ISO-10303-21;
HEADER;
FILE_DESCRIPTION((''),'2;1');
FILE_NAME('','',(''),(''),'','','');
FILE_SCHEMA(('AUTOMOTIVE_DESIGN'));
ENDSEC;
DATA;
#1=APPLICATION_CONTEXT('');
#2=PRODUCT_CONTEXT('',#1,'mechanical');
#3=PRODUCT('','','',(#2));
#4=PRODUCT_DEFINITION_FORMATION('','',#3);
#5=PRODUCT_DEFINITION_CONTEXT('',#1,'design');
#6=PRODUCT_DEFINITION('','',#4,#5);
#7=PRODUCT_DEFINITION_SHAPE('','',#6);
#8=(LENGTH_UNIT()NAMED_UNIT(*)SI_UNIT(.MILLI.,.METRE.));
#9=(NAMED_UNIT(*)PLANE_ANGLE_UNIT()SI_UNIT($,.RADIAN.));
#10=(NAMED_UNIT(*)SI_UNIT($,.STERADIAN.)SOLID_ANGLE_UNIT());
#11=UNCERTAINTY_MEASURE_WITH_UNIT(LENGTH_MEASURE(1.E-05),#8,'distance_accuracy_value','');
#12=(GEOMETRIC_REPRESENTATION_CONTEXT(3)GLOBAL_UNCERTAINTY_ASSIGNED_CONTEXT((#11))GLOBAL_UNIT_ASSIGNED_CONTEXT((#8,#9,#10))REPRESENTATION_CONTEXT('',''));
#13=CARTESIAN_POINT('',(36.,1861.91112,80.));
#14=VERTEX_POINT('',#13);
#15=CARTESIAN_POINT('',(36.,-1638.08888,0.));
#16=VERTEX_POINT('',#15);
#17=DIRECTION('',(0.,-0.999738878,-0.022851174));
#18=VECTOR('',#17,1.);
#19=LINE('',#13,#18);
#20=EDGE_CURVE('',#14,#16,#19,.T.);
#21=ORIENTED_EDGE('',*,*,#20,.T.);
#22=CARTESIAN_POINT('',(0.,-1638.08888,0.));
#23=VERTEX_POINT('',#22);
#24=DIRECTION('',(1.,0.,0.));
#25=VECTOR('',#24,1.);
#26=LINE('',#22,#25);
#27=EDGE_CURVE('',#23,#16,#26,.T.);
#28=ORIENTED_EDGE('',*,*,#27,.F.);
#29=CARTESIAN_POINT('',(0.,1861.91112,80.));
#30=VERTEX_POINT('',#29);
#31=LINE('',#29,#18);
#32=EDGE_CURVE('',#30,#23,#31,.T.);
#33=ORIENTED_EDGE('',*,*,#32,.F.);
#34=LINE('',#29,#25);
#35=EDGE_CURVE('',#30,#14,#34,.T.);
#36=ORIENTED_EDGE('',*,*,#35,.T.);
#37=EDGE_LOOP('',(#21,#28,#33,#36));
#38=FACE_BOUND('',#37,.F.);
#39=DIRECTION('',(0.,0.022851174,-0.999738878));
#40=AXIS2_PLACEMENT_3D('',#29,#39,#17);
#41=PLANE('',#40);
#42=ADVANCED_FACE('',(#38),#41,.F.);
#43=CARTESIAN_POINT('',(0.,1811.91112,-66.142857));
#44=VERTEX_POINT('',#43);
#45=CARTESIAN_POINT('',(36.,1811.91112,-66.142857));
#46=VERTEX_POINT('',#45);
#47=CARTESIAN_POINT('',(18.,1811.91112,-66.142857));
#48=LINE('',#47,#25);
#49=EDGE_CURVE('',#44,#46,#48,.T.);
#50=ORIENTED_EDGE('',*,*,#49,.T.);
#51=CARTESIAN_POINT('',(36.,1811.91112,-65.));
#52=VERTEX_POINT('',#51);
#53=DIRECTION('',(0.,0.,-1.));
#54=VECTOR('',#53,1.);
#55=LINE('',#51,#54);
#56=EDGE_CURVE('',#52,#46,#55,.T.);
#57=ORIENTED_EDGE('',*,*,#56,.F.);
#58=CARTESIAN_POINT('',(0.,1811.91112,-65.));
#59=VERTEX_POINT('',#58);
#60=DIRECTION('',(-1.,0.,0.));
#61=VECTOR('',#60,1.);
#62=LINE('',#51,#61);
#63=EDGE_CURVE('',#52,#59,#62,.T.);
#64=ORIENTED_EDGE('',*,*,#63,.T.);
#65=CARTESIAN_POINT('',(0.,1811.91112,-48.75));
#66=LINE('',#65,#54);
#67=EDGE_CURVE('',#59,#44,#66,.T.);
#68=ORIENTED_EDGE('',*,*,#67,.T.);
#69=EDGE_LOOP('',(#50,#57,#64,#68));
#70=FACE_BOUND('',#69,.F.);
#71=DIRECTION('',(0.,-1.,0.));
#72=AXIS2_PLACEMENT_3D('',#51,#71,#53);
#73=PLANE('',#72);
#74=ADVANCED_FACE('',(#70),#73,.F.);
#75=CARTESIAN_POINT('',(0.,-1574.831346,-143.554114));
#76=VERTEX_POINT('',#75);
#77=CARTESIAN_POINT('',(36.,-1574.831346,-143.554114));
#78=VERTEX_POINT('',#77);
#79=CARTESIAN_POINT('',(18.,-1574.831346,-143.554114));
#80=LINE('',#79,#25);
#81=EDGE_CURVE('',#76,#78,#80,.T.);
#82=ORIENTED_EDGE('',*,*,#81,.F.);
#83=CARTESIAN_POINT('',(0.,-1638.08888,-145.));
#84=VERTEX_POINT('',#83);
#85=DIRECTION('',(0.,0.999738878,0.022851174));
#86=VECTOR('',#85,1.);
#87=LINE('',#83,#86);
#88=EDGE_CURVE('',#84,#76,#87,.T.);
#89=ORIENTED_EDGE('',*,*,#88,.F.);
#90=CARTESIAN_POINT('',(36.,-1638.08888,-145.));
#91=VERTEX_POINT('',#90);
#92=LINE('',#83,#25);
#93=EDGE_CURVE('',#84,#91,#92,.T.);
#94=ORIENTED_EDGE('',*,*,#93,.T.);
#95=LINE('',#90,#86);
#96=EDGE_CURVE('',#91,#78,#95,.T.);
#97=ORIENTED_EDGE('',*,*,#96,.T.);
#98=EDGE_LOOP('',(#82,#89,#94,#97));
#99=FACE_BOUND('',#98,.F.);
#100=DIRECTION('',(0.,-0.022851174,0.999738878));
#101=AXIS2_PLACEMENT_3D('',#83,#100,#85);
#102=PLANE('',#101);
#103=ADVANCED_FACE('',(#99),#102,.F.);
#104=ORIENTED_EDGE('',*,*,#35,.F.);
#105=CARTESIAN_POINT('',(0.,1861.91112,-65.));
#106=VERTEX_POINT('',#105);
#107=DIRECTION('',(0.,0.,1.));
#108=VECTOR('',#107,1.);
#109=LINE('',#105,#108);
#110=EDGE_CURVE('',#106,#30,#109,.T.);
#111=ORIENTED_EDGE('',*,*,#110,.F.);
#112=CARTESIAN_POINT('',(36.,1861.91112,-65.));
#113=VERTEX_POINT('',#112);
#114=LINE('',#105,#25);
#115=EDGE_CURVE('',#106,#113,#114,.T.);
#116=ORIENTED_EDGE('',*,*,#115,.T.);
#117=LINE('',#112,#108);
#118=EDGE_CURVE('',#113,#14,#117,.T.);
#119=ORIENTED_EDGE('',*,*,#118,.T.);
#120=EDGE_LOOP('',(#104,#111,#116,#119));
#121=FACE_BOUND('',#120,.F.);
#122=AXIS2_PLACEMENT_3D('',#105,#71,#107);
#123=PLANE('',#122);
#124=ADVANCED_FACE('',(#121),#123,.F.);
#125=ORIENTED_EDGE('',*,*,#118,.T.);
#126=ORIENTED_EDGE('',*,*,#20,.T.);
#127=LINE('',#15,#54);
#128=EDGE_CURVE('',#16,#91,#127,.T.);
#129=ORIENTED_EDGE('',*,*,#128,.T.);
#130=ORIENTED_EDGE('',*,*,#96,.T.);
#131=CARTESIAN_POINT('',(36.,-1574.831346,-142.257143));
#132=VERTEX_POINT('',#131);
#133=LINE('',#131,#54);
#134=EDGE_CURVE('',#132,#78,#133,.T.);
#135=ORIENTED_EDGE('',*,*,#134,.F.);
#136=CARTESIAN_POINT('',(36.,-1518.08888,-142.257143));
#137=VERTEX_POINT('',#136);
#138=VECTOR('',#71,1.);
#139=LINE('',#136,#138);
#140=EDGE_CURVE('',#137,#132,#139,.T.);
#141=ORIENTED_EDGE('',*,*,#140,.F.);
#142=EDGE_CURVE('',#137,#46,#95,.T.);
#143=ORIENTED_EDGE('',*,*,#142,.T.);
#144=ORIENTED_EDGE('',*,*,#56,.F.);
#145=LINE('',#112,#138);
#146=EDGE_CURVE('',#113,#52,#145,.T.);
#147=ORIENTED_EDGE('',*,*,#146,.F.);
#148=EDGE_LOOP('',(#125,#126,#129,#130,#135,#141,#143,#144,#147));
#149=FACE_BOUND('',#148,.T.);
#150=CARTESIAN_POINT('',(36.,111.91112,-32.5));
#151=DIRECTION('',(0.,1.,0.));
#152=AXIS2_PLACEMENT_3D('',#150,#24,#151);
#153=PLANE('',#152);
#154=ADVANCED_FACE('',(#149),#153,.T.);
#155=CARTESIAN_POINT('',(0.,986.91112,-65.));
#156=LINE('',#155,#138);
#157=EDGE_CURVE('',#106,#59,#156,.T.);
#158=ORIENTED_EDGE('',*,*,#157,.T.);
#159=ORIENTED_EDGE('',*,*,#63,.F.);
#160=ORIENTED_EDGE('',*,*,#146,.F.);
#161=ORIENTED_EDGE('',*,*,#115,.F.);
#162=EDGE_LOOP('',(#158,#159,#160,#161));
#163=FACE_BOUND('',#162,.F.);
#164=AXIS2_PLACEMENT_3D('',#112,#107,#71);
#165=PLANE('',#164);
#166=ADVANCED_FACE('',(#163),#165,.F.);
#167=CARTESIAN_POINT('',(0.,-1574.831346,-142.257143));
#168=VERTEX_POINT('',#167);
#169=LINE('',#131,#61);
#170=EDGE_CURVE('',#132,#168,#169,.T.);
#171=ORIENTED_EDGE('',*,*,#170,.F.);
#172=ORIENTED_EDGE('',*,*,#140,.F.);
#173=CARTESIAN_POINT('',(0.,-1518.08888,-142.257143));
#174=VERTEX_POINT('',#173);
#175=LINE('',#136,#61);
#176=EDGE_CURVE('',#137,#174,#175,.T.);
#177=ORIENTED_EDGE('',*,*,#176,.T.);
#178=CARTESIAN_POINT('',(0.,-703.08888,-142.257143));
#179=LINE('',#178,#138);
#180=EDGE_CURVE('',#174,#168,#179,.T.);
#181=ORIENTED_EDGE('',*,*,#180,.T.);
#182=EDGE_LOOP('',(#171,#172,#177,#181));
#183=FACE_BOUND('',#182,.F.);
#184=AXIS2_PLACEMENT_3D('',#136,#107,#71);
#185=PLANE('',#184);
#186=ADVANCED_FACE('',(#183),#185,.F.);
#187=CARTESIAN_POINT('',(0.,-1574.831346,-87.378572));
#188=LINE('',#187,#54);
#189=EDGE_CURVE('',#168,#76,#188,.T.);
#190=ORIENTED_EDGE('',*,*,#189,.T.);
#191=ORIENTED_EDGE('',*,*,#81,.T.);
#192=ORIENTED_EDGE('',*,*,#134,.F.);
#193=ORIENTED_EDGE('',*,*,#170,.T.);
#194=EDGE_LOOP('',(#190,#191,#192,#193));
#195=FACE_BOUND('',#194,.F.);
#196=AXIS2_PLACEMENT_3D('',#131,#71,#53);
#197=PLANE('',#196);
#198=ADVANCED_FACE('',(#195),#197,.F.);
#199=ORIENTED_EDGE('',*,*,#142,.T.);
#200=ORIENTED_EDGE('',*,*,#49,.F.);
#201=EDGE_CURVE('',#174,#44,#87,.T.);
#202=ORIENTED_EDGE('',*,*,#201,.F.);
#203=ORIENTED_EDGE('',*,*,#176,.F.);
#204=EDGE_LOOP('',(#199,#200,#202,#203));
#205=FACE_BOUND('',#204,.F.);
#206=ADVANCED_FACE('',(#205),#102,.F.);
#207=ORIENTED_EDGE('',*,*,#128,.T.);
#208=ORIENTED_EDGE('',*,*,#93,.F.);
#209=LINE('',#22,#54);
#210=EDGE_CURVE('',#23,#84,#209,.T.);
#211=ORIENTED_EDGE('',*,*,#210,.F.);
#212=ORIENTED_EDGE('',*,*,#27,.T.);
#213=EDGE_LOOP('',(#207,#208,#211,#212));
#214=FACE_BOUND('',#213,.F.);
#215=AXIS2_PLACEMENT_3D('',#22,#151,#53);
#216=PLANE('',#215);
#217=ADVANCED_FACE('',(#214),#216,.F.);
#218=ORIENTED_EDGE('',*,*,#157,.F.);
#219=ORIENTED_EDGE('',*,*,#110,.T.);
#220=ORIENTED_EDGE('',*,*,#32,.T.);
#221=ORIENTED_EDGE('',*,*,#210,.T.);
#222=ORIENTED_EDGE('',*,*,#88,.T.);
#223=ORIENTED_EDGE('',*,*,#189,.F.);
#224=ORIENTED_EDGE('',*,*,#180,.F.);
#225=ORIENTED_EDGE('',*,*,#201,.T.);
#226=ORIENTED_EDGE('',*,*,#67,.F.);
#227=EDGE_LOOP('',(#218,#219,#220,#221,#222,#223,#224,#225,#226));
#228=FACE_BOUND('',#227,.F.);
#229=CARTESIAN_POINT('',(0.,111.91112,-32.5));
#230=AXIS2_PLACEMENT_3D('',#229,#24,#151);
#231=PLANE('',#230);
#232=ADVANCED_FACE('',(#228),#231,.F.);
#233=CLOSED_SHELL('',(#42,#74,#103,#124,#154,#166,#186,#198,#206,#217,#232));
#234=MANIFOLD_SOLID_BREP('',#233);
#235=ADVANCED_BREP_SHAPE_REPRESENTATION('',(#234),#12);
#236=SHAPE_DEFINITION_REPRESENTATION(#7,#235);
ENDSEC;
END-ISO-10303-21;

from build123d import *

# Parameters (mm, degrees)
F1_DEPTH = 36
F3_DEPTH = 36.001
F5_DEPTH = 36.001


with BuildPart() as f1:
    # F0 (on Right) → F1 (new body)
    with BuildSketch(Plane.YZ):
        Polygon((-1638.08888, 0), (-1638.08888, -145), (1861.91112, -65), (1861.91112, 80), align=None)
    extrude(amount=F1_DEPTH)

    # F2 (on face) → F3 (cut, through all)
    with BuildSketch(Plane.YZ.offset(36)):
        Polygon((1874.584966, -79.733009), (1861.91112, -65), (1811.91112, -65), (1811.91112, -79.733009), align=None)
    extrude(amount=-F3_DEPTH, mode=Mode.SUBTRACT)

    # F4 (on face) → F5 (cut, through all)
    with BuildSketch(Plane.YZ.offset(36)):
        Polygon((-1516.11602, -160.75219), (-1518.08888, -142.257143), (-1574.831346, -142.257143), (-1574.831346, -160.75219), align=None)
    extrude(amount=-F5_DEPTH, mode=Mode.SUBTRACT)


solid = f1.part
